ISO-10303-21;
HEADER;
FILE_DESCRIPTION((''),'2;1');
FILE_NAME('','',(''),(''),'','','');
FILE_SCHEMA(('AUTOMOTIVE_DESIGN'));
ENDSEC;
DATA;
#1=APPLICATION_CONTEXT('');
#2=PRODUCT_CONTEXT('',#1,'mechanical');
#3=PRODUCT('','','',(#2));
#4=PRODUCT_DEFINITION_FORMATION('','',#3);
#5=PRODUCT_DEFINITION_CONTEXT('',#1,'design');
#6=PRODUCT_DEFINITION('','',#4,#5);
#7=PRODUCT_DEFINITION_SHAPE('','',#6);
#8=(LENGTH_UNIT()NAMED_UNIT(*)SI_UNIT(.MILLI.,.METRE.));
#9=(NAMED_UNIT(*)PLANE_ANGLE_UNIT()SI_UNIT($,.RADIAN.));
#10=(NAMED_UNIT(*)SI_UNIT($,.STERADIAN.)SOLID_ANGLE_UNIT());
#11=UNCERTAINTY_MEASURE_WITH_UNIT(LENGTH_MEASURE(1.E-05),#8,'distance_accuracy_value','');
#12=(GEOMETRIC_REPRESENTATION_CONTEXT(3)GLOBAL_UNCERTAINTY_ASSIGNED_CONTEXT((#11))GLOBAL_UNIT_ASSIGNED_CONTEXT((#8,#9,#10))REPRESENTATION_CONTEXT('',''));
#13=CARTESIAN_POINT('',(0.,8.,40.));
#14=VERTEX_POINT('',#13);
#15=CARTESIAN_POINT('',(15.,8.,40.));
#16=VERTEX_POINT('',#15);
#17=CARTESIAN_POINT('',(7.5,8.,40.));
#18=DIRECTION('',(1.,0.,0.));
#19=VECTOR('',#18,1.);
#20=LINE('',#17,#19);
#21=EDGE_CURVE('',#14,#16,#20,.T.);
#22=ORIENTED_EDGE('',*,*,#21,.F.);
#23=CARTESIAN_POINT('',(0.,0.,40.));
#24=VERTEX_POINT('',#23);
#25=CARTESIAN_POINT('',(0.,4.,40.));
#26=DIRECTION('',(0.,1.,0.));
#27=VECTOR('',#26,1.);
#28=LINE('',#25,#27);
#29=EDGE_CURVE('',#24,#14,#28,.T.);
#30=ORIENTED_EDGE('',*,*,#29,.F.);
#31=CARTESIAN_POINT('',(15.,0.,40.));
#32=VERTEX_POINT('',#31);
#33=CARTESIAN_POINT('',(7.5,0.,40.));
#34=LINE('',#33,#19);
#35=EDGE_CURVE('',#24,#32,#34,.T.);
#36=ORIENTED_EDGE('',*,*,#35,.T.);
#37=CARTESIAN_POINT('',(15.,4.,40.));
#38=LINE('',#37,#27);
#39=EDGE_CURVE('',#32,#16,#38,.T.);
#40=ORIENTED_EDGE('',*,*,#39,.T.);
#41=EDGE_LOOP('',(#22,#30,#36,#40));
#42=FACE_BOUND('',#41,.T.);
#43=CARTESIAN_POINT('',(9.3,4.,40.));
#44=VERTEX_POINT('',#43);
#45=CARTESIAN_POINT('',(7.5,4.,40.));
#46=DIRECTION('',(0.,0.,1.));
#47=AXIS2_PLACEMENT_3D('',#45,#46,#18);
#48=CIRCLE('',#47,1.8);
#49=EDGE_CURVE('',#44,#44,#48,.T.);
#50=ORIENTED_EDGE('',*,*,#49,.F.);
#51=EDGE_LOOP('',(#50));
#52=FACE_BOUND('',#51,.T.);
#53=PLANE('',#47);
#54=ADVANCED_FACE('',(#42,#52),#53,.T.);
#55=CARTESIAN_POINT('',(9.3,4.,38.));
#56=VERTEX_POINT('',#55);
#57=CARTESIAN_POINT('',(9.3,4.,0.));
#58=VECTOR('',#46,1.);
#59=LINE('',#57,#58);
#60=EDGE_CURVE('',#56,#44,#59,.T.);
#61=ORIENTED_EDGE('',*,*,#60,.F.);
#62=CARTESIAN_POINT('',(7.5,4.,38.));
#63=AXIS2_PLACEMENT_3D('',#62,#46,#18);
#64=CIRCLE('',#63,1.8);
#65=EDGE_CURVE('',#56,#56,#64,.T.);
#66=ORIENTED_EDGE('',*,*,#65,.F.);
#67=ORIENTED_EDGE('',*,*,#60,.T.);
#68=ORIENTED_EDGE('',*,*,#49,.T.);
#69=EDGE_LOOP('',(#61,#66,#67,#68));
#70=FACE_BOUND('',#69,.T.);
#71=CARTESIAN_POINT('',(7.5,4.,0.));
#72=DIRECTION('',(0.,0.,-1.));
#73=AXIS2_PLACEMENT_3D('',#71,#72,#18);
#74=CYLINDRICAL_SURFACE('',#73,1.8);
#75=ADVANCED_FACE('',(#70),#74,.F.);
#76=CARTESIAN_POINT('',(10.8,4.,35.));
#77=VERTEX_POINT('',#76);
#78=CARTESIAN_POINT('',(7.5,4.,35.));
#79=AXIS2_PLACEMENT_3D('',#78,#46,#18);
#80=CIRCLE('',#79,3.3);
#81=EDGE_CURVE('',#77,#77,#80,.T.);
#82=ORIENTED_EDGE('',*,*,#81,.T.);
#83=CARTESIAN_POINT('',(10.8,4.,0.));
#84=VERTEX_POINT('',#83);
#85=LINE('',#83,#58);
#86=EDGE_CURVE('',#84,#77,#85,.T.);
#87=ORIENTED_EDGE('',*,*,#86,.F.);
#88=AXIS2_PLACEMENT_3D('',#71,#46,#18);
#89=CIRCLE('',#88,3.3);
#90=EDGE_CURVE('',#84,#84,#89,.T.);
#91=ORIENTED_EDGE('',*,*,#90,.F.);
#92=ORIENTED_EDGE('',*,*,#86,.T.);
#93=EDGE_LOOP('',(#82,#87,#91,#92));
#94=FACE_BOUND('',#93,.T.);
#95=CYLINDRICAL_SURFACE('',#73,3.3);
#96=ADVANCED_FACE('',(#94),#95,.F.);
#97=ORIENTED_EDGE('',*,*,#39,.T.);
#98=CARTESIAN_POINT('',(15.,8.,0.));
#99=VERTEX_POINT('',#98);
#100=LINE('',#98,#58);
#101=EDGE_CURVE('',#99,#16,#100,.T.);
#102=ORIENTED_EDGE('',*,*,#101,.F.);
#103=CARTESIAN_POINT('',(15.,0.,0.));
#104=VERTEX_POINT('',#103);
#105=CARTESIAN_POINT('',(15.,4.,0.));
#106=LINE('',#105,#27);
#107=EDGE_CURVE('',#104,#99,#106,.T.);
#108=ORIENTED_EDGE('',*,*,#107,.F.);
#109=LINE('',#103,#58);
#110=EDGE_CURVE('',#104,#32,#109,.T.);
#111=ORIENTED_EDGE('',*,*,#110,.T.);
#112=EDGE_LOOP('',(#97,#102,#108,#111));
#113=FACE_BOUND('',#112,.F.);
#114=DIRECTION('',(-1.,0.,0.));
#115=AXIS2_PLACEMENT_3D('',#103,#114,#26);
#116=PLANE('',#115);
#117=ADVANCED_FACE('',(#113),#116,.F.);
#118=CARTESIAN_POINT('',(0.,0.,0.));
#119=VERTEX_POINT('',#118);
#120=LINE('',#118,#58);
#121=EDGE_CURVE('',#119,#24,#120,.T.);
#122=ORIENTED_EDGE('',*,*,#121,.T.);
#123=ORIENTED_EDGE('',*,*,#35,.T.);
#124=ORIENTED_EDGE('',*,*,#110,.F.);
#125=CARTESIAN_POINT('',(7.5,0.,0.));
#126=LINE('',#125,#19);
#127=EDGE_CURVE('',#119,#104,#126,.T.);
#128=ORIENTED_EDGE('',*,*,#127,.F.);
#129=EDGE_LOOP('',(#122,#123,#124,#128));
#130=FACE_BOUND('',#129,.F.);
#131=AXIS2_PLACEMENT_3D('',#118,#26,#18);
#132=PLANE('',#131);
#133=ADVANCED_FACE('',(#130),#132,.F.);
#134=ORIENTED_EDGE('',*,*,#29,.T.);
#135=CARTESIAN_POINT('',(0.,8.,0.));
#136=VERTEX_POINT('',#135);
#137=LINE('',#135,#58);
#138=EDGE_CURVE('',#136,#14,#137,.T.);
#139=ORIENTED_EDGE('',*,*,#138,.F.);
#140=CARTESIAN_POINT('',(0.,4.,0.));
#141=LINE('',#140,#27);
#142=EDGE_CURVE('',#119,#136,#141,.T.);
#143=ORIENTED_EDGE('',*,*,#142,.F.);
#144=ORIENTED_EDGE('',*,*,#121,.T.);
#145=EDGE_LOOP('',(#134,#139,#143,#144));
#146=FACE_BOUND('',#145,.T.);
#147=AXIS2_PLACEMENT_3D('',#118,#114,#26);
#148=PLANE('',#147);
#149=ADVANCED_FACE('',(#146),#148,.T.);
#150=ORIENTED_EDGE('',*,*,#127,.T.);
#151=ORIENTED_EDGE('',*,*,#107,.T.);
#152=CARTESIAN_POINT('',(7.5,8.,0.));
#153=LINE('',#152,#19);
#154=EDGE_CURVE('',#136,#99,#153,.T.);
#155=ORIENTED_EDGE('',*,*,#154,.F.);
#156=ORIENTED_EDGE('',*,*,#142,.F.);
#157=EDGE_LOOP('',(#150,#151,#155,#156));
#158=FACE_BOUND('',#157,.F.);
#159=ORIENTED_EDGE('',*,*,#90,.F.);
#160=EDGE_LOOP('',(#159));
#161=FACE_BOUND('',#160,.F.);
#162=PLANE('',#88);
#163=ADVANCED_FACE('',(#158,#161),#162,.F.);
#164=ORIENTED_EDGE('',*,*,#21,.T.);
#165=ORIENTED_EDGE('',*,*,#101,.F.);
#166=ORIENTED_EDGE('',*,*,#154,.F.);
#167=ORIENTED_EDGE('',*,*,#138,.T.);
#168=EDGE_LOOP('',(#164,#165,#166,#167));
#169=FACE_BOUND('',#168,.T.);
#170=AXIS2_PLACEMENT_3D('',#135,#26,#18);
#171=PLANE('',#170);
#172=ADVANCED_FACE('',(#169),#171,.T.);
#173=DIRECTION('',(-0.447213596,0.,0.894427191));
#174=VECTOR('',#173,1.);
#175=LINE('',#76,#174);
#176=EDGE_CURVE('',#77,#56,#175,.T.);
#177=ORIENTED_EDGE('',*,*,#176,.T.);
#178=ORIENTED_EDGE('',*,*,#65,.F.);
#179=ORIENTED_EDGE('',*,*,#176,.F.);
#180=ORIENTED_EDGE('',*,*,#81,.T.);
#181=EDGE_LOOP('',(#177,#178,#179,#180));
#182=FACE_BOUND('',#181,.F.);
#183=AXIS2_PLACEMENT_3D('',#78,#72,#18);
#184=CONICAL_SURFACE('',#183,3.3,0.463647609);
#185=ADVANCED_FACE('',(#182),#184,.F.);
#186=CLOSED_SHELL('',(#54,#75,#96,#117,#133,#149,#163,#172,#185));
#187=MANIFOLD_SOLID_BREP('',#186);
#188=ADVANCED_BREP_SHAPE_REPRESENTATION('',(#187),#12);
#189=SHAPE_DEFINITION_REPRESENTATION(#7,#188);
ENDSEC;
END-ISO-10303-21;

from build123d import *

# Parameters (mm, degrees)
CYLINDER044_R     = 3.3
CYLINDER044_DEPTH = 35
CYLINDER043_R     = 1.8
CYLINDER043_DEPTH = 40
BOX022_W          = 15
BOX022_H          = 8
BOX022_DEPTH      = 40


with BuildPart() as cone001:
    # Cone001 → Cone001 (revolve)
    with BuildSketch(Plane(origin=(7.5, 4, 35), x_dir=(1, 0, 0), z_dir=(0, -1, 0))):
        Polygon((0, 0), (3.3, 0), (1.8, 3), (0, 3), align=None)
    revolve(axis=Axis((7.5, 4, 35), (0, 0, 1)))


with BuildPart() as cylinder009:
    # Cylinder044 → Cylinder044 (new body)
    with BuildSketch(Plane(origin=(7.5, 4, 0), x_dir=(1, 0, 0), z_dir=(0, 0, 1))):
        Circle(CYLINDER044_R)
    extrude(amount=CYLINDER044_DEPTH)


with BuildPart() as fusion016:
    # Cylinder043 → Cylinder043 (new body)
    with BuildSketch(Plane(origin=(7.5, 4, 0), x_dir=(1, 0, 0), z_dir=(0, 0, 1))):
        Circle(CYLINDER043_R)
    extrude(amount=CYLINDER043_DEPTH)

    # Fusion016: union Cone001, Cylinder009
    add(cone001.part)
    add(cylinder009.part)


with BuildPart() as top_stop_trigger_cut:
    # Box022 → Box022 (new body)
    with BuildSketch(Plane.XY):
        with Locations((7.5, 4)):
            Rectangle(BOX022_W, BOX022_H)
    extrude(amount=BOX022_DEPTH)

    # Cut016: cut Fusion016
    add(fusion016.part, mode=Mode.SUBTRACT)


solid = top_stop_trigger_cut.part
